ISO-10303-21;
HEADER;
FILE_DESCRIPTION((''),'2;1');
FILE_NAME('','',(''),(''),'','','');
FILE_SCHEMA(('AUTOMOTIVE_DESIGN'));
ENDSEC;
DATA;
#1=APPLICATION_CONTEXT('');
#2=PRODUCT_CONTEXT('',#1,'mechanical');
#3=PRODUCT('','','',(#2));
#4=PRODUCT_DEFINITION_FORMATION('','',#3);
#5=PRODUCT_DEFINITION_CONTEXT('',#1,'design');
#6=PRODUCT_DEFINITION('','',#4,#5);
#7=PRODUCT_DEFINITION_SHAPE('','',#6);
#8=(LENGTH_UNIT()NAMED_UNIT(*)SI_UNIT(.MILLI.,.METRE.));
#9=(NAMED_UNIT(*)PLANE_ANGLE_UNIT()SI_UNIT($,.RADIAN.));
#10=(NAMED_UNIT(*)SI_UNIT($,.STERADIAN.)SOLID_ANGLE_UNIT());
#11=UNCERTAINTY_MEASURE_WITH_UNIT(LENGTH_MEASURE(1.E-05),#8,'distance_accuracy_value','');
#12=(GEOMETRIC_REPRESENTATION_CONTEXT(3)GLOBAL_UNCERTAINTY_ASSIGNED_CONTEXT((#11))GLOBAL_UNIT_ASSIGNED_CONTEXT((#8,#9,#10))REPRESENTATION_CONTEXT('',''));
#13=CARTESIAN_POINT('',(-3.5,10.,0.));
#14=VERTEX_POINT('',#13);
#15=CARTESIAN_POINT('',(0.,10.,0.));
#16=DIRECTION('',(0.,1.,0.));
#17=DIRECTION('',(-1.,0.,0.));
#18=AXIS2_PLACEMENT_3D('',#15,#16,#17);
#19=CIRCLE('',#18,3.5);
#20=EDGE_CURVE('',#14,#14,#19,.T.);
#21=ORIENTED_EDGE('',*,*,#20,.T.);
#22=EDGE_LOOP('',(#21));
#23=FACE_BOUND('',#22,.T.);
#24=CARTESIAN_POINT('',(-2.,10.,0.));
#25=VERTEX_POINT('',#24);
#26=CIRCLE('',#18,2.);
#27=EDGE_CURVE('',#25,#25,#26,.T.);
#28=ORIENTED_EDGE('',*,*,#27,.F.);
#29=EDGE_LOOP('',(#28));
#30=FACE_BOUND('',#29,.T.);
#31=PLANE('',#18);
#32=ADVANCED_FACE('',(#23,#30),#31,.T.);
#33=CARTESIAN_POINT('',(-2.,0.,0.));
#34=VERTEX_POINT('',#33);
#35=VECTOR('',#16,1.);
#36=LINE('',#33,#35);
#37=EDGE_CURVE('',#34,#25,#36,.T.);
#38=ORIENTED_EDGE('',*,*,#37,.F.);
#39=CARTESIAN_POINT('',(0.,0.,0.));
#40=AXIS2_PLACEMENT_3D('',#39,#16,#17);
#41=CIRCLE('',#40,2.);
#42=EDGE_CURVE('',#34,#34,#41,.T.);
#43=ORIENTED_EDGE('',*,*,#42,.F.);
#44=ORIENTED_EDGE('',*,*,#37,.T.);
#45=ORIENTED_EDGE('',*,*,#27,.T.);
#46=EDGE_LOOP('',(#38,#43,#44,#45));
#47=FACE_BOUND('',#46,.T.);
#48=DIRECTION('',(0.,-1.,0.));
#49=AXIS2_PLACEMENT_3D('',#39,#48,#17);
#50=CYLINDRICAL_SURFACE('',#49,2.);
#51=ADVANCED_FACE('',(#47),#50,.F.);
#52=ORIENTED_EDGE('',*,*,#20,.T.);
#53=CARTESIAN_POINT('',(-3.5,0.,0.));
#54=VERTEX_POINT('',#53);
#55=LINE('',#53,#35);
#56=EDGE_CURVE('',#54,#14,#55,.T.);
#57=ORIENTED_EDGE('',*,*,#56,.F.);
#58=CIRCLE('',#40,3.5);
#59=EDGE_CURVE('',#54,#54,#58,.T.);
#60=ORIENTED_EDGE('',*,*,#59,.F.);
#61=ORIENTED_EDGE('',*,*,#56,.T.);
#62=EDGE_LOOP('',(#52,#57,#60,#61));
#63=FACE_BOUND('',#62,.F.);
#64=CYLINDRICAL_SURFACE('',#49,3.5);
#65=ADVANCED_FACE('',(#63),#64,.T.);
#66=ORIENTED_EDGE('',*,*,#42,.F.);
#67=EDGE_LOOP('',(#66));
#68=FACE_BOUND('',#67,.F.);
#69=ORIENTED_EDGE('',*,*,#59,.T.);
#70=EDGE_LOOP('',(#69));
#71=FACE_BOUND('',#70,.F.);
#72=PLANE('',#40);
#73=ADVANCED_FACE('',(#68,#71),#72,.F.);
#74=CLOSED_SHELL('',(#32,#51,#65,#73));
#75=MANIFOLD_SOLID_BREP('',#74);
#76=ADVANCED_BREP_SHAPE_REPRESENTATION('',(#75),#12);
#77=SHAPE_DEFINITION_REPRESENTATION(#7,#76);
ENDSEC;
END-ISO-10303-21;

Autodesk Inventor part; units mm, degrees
ref_plane "YZ Plane" through (0, 0, 0) normal (1, 0, 0) x (0, 1, 0)
ref_plane "XZ Plane" through (0, 0, 0) normal (0, 1, 0) x (-1, 0, 0)
ref_plane "XY Plane" through (0, 0, 0) normal (0, 0, 1) x (1, 0, 0)
sketch "Sketch1" plane through (0, 0, 0) normal (0, 1, 0) x (-1, 0, 0)
  circle A0 centre (0, 0) radius 3.5
  circle A1 centre (0, 0) radius 2
  dimension "d0" = 4
  dimension "d1" = 7
extrude "Extrusion1" add sketch "Sketch1" along normal blind 10
properties part number "Ceramics_10_7_4"
